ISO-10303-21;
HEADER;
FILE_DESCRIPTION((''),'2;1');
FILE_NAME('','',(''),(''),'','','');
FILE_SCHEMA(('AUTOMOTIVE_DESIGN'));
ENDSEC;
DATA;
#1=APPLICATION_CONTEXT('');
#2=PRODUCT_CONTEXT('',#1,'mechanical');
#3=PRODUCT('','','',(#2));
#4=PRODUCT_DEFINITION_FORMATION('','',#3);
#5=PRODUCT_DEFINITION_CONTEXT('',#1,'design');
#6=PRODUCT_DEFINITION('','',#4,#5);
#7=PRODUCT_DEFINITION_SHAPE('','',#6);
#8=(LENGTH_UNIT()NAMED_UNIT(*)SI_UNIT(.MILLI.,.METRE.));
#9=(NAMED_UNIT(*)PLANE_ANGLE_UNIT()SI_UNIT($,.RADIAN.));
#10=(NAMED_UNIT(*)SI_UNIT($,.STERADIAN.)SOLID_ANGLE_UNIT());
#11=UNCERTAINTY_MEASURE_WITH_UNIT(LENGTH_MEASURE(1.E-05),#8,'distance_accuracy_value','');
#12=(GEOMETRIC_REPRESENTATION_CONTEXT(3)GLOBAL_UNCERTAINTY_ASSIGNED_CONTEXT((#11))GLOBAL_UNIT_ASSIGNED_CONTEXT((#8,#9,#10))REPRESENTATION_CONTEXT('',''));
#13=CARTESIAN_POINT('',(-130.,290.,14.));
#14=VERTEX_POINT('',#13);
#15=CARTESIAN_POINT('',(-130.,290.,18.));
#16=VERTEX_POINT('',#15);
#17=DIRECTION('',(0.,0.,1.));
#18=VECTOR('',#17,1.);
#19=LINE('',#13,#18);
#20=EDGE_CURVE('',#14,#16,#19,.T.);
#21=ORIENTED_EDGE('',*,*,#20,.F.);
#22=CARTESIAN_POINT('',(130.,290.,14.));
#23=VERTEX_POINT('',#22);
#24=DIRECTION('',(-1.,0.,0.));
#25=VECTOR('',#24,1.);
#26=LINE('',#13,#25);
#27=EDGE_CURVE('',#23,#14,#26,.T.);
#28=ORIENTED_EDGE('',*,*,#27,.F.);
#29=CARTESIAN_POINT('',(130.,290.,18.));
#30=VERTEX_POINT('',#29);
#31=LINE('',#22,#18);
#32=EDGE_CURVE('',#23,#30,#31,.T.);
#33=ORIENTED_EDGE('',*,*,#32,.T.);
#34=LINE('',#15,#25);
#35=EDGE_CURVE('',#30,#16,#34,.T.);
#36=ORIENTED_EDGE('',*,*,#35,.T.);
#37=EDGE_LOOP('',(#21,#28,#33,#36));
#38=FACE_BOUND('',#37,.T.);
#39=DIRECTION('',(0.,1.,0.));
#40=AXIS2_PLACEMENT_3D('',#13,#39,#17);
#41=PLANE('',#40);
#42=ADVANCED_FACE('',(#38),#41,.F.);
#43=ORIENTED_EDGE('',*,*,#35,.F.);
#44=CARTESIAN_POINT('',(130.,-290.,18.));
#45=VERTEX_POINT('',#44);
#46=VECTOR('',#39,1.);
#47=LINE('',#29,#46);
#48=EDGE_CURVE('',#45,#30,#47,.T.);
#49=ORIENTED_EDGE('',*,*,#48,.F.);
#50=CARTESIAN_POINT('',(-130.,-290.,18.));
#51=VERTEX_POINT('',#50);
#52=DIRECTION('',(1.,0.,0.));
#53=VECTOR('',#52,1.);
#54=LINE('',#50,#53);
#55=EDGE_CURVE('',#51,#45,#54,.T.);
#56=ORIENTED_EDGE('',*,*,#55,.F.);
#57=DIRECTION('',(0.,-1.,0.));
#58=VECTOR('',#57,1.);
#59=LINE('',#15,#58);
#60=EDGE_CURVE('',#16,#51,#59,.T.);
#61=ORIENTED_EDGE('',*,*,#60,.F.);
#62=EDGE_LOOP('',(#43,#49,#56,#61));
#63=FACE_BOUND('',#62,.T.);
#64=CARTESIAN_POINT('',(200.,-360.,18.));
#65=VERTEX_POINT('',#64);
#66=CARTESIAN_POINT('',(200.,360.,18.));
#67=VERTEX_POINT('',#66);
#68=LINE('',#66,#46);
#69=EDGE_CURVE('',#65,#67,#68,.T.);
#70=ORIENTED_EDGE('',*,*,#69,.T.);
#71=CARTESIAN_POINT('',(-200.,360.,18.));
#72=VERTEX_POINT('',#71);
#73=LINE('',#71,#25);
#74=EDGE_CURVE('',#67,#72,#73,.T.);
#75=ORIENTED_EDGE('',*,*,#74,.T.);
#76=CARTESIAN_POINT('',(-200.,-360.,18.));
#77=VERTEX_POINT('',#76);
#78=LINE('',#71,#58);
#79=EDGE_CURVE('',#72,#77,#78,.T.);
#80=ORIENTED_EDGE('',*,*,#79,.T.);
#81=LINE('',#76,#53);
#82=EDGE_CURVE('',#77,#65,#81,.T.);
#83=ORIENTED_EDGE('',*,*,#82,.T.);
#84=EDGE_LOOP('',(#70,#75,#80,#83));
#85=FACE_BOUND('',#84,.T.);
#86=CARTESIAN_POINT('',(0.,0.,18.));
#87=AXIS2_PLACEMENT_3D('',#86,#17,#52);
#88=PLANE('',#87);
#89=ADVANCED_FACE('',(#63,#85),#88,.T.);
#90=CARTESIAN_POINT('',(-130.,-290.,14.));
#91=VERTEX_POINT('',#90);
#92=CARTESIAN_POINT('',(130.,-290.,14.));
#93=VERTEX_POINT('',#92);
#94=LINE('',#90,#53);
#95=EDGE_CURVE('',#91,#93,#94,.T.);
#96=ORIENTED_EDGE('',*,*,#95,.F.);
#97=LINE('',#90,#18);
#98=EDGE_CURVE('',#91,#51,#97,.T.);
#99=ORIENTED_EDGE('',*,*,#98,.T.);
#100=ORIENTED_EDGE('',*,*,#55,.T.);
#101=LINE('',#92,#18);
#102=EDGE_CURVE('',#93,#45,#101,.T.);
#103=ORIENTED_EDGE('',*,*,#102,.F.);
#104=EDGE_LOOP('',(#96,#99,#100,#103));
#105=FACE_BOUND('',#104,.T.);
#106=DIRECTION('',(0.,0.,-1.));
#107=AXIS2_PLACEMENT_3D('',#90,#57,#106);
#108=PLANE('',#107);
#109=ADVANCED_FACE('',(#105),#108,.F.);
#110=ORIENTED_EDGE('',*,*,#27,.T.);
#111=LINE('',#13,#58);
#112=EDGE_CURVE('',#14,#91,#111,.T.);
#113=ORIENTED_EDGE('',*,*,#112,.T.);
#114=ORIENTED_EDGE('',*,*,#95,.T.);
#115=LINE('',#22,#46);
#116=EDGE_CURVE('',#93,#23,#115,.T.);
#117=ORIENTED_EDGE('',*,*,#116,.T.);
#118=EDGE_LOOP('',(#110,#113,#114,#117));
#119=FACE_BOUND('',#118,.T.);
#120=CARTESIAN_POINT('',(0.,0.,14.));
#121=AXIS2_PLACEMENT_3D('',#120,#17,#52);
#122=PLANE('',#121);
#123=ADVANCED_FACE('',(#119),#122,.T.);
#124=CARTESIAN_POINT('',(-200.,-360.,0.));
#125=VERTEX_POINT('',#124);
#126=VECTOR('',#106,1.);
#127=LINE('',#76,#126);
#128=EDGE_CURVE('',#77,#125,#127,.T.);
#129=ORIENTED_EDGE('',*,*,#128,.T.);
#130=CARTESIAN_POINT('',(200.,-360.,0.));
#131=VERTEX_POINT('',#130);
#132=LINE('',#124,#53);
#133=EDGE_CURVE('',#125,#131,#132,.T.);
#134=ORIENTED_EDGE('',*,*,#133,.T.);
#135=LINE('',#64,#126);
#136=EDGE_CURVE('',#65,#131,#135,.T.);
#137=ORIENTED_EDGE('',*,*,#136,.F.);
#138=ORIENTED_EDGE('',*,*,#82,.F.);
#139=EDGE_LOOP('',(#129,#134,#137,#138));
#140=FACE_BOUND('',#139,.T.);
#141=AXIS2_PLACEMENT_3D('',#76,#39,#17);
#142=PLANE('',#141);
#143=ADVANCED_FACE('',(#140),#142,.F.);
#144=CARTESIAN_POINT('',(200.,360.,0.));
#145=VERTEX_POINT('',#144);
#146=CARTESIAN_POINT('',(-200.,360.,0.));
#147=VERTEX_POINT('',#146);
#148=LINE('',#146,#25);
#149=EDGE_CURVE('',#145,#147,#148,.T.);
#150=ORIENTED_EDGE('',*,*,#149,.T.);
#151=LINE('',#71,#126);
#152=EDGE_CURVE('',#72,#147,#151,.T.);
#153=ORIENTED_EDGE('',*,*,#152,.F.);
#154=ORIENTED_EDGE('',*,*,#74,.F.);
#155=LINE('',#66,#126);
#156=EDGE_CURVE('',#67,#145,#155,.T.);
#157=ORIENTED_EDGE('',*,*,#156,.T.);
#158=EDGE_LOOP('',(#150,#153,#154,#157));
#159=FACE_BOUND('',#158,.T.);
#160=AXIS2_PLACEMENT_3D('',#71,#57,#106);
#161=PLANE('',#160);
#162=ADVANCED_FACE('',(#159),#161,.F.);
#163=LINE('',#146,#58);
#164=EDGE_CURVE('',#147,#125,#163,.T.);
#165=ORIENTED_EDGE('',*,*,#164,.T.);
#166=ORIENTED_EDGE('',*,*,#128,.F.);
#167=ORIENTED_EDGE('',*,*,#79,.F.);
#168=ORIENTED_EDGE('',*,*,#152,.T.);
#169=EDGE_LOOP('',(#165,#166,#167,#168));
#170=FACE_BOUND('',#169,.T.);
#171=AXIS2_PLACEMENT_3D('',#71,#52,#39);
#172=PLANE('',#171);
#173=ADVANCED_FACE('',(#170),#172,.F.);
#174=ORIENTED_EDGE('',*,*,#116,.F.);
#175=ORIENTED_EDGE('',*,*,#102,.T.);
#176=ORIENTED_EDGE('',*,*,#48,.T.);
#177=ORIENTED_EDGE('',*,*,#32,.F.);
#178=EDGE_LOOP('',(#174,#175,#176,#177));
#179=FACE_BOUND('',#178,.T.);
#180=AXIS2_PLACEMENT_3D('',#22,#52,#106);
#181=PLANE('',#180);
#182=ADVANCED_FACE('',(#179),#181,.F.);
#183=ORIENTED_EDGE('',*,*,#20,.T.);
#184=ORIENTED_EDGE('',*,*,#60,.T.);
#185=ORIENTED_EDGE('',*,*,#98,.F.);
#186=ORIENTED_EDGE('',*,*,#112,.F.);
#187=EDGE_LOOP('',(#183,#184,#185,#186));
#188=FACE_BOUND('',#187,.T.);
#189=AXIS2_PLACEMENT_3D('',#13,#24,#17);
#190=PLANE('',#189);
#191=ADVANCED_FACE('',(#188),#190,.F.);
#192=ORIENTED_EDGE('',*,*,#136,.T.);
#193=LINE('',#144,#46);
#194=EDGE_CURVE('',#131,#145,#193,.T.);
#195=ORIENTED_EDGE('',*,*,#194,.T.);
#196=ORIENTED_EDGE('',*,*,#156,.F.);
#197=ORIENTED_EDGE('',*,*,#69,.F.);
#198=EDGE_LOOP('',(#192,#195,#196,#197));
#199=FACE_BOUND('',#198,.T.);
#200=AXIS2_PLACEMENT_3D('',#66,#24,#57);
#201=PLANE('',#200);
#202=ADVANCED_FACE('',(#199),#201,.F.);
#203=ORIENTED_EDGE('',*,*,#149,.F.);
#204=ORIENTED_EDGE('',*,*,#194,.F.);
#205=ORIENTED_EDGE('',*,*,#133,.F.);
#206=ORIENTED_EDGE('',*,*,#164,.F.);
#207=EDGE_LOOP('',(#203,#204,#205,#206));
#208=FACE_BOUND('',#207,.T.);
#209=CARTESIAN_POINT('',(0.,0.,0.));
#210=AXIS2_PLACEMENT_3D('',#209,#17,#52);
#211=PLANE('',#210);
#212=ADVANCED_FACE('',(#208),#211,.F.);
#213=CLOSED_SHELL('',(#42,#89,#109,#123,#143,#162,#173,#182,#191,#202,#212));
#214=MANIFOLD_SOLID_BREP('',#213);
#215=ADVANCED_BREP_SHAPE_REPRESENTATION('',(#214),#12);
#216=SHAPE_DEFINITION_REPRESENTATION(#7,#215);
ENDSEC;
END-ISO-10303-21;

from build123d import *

# Parameters (mm, degrees)
SKETCH1_W           = 400
SKETCH1_H           = 720
BOSS_EXTRUDE1_DEPTH = 18
SKETCH2_W           = 260
SKETCH2_H           = 580
CUT_EXTRUDE1_DEPTH  = 4


with BuildPart() as part:
    # Sketch1 → Boss-Extrude1 (new body)
    with BuildSketch(Plane.XY):
        Rectangle(SKETCH1_W, SKETCH1_H)
    extrude(amount=BOSS_EXTRUDE1_DEPTH)

    # Sketch2 → Cut-Extrude1 (cut)
    with BuildSketch(Plane.XY.offset(18)):
        Rectangle(SKETCH2_W, SKETCH2_H)
    extrude(amount=-CUT_EXTRUDE1_DEPTH, mode=Mode.SUBTRACT)


solid = part.part
